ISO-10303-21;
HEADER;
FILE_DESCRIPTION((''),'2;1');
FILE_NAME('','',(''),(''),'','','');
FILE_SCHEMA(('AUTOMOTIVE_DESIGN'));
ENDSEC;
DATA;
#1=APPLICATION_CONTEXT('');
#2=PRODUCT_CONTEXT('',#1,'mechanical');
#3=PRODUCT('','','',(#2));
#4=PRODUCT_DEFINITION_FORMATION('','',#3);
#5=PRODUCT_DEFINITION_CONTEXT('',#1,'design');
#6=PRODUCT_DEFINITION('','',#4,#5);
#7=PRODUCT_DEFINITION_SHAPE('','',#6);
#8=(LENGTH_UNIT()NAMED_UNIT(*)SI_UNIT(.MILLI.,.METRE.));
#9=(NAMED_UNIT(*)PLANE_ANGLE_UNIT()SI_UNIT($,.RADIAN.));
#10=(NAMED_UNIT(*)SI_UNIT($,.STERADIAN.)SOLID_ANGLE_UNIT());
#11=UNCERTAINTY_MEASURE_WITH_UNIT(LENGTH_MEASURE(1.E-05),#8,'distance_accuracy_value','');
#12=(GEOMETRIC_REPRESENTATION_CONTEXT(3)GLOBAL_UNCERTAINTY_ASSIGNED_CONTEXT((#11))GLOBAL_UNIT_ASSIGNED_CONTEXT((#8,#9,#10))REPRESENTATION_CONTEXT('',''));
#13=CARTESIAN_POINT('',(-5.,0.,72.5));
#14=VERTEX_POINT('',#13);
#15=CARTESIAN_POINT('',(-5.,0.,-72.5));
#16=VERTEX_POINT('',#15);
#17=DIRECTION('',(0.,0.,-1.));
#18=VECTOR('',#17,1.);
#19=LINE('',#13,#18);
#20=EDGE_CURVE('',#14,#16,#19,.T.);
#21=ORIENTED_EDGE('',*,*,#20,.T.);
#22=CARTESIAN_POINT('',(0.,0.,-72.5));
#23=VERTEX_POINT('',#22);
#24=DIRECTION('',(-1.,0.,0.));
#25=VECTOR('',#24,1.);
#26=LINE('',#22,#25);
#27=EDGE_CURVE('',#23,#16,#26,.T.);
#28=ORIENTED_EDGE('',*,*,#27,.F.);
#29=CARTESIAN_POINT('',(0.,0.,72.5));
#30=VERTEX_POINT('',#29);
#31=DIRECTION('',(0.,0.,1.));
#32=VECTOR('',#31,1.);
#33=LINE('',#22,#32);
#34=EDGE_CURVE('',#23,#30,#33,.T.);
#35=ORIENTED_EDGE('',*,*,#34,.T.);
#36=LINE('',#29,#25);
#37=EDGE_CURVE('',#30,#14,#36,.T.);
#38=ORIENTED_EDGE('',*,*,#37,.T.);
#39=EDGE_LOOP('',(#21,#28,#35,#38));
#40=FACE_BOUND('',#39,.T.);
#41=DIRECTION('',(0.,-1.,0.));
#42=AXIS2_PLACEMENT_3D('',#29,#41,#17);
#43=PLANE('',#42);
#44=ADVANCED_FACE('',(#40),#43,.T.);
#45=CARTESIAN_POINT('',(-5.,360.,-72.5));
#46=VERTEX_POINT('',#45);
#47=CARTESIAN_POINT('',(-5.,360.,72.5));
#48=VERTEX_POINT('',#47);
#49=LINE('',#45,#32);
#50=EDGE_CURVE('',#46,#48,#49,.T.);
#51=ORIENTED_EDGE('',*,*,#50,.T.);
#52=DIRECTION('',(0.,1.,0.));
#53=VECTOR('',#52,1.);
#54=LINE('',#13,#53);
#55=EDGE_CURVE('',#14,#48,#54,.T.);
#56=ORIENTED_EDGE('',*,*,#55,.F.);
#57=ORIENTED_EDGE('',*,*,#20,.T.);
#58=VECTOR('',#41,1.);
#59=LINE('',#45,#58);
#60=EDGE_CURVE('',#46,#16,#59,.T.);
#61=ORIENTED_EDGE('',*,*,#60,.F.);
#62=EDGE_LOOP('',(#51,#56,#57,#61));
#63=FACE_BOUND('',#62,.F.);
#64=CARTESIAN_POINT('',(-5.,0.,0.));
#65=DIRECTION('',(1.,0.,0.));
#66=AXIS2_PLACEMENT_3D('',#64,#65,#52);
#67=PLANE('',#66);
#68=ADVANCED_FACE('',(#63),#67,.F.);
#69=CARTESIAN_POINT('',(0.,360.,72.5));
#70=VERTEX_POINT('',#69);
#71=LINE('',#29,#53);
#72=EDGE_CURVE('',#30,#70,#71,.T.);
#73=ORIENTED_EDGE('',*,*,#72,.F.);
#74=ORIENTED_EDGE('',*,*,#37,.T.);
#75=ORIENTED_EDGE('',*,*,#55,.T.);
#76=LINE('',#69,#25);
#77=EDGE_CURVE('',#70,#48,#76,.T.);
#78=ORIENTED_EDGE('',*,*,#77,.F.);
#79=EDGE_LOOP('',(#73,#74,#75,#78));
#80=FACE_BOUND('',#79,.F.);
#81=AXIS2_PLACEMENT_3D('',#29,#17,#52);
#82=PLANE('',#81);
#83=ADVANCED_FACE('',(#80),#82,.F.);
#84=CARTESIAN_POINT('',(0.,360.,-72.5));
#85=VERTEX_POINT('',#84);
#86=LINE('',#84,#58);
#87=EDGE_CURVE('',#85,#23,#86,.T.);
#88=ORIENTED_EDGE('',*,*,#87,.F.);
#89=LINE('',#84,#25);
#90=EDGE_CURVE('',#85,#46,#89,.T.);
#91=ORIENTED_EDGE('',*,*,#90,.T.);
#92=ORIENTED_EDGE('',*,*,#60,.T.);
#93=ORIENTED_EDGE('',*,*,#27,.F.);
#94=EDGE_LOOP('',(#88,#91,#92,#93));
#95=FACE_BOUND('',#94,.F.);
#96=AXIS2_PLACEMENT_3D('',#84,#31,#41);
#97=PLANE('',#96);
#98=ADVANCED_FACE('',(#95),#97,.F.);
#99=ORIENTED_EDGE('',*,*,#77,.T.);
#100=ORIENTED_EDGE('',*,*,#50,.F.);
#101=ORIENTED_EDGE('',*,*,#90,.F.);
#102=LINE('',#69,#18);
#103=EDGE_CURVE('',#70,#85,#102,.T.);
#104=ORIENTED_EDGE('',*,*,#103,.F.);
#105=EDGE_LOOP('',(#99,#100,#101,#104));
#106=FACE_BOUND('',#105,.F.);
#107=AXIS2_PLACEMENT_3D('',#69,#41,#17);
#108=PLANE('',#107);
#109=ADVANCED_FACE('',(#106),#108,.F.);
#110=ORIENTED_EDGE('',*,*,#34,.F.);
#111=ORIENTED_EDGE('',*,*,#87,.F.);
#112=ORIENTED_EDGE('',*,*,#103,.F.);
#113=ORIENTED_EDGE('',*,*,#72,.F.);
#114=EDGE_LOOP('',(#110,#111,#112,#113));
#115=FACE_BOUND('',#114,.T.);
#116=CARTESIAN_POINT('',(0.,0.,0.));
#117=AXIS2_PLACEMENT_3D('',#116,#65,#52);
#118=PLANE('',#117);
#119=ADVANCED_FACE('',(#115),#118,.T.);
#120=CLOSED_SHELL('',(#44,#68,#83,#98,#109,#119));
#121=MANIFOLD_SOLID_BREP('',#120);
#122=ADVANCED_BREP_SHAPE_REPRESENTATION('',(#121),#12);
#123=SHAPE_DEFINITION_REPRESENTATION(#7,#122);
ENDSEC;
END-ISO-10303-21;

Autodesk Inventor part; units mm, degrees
ref_plane "YZ Plane" through (0, 0, 0) normal (1, 0, 0) x (0, 1, 0)
ref_plane "XZ Plane" through (0, 0, 0) normal (0, 1, 0) x (-1, 0, 0)
ref_plane "XY Plane" through (0, 0, 0) normal (0, 0, 1) x (1, 0, 0)
sketch "Sketch1" plane through (0, 0, 0) normal (1, 0, 0) x (0, 1, 0)
  line L0 (0, 101.5) -> (0, -101.5)
  line L1 (-72, 0) -> (432, 0)
  line L2 (0, 72.5) -> (360, 72.5)
  line L3 (360, 72.5) -> (360, -72.5)
  line L4 (360, -72.5) -> (0, -72.5)
  line L5 (0, -72.5) -> (0, 72.5)
  point P0 (0, 0)
  point P1 (0, 0)
  dimension "d0" = 145
  dimension "d1" = 360
extrude "Plate1" add sketch "Sketch1" against normal blind 5
equation "\"d2\" = Thickness"
equation "\"BendRadius\" = Thickness"
equation "\"BendReliefWidth\" = Thickness"
equation "\"BendReliefDepth\" = 0.5 * Thickness"
equation "\"TransitionRadius\" = BendRadius"
equation "\"JacobiRadiusSize\" = BendRadius"
equation "\"GapSize\" = Thickness"
equation "\"Thickness\" = 5"
properties part number "SIDE_CETIN_PART_BOX" material "PVC, Unplasticized"
